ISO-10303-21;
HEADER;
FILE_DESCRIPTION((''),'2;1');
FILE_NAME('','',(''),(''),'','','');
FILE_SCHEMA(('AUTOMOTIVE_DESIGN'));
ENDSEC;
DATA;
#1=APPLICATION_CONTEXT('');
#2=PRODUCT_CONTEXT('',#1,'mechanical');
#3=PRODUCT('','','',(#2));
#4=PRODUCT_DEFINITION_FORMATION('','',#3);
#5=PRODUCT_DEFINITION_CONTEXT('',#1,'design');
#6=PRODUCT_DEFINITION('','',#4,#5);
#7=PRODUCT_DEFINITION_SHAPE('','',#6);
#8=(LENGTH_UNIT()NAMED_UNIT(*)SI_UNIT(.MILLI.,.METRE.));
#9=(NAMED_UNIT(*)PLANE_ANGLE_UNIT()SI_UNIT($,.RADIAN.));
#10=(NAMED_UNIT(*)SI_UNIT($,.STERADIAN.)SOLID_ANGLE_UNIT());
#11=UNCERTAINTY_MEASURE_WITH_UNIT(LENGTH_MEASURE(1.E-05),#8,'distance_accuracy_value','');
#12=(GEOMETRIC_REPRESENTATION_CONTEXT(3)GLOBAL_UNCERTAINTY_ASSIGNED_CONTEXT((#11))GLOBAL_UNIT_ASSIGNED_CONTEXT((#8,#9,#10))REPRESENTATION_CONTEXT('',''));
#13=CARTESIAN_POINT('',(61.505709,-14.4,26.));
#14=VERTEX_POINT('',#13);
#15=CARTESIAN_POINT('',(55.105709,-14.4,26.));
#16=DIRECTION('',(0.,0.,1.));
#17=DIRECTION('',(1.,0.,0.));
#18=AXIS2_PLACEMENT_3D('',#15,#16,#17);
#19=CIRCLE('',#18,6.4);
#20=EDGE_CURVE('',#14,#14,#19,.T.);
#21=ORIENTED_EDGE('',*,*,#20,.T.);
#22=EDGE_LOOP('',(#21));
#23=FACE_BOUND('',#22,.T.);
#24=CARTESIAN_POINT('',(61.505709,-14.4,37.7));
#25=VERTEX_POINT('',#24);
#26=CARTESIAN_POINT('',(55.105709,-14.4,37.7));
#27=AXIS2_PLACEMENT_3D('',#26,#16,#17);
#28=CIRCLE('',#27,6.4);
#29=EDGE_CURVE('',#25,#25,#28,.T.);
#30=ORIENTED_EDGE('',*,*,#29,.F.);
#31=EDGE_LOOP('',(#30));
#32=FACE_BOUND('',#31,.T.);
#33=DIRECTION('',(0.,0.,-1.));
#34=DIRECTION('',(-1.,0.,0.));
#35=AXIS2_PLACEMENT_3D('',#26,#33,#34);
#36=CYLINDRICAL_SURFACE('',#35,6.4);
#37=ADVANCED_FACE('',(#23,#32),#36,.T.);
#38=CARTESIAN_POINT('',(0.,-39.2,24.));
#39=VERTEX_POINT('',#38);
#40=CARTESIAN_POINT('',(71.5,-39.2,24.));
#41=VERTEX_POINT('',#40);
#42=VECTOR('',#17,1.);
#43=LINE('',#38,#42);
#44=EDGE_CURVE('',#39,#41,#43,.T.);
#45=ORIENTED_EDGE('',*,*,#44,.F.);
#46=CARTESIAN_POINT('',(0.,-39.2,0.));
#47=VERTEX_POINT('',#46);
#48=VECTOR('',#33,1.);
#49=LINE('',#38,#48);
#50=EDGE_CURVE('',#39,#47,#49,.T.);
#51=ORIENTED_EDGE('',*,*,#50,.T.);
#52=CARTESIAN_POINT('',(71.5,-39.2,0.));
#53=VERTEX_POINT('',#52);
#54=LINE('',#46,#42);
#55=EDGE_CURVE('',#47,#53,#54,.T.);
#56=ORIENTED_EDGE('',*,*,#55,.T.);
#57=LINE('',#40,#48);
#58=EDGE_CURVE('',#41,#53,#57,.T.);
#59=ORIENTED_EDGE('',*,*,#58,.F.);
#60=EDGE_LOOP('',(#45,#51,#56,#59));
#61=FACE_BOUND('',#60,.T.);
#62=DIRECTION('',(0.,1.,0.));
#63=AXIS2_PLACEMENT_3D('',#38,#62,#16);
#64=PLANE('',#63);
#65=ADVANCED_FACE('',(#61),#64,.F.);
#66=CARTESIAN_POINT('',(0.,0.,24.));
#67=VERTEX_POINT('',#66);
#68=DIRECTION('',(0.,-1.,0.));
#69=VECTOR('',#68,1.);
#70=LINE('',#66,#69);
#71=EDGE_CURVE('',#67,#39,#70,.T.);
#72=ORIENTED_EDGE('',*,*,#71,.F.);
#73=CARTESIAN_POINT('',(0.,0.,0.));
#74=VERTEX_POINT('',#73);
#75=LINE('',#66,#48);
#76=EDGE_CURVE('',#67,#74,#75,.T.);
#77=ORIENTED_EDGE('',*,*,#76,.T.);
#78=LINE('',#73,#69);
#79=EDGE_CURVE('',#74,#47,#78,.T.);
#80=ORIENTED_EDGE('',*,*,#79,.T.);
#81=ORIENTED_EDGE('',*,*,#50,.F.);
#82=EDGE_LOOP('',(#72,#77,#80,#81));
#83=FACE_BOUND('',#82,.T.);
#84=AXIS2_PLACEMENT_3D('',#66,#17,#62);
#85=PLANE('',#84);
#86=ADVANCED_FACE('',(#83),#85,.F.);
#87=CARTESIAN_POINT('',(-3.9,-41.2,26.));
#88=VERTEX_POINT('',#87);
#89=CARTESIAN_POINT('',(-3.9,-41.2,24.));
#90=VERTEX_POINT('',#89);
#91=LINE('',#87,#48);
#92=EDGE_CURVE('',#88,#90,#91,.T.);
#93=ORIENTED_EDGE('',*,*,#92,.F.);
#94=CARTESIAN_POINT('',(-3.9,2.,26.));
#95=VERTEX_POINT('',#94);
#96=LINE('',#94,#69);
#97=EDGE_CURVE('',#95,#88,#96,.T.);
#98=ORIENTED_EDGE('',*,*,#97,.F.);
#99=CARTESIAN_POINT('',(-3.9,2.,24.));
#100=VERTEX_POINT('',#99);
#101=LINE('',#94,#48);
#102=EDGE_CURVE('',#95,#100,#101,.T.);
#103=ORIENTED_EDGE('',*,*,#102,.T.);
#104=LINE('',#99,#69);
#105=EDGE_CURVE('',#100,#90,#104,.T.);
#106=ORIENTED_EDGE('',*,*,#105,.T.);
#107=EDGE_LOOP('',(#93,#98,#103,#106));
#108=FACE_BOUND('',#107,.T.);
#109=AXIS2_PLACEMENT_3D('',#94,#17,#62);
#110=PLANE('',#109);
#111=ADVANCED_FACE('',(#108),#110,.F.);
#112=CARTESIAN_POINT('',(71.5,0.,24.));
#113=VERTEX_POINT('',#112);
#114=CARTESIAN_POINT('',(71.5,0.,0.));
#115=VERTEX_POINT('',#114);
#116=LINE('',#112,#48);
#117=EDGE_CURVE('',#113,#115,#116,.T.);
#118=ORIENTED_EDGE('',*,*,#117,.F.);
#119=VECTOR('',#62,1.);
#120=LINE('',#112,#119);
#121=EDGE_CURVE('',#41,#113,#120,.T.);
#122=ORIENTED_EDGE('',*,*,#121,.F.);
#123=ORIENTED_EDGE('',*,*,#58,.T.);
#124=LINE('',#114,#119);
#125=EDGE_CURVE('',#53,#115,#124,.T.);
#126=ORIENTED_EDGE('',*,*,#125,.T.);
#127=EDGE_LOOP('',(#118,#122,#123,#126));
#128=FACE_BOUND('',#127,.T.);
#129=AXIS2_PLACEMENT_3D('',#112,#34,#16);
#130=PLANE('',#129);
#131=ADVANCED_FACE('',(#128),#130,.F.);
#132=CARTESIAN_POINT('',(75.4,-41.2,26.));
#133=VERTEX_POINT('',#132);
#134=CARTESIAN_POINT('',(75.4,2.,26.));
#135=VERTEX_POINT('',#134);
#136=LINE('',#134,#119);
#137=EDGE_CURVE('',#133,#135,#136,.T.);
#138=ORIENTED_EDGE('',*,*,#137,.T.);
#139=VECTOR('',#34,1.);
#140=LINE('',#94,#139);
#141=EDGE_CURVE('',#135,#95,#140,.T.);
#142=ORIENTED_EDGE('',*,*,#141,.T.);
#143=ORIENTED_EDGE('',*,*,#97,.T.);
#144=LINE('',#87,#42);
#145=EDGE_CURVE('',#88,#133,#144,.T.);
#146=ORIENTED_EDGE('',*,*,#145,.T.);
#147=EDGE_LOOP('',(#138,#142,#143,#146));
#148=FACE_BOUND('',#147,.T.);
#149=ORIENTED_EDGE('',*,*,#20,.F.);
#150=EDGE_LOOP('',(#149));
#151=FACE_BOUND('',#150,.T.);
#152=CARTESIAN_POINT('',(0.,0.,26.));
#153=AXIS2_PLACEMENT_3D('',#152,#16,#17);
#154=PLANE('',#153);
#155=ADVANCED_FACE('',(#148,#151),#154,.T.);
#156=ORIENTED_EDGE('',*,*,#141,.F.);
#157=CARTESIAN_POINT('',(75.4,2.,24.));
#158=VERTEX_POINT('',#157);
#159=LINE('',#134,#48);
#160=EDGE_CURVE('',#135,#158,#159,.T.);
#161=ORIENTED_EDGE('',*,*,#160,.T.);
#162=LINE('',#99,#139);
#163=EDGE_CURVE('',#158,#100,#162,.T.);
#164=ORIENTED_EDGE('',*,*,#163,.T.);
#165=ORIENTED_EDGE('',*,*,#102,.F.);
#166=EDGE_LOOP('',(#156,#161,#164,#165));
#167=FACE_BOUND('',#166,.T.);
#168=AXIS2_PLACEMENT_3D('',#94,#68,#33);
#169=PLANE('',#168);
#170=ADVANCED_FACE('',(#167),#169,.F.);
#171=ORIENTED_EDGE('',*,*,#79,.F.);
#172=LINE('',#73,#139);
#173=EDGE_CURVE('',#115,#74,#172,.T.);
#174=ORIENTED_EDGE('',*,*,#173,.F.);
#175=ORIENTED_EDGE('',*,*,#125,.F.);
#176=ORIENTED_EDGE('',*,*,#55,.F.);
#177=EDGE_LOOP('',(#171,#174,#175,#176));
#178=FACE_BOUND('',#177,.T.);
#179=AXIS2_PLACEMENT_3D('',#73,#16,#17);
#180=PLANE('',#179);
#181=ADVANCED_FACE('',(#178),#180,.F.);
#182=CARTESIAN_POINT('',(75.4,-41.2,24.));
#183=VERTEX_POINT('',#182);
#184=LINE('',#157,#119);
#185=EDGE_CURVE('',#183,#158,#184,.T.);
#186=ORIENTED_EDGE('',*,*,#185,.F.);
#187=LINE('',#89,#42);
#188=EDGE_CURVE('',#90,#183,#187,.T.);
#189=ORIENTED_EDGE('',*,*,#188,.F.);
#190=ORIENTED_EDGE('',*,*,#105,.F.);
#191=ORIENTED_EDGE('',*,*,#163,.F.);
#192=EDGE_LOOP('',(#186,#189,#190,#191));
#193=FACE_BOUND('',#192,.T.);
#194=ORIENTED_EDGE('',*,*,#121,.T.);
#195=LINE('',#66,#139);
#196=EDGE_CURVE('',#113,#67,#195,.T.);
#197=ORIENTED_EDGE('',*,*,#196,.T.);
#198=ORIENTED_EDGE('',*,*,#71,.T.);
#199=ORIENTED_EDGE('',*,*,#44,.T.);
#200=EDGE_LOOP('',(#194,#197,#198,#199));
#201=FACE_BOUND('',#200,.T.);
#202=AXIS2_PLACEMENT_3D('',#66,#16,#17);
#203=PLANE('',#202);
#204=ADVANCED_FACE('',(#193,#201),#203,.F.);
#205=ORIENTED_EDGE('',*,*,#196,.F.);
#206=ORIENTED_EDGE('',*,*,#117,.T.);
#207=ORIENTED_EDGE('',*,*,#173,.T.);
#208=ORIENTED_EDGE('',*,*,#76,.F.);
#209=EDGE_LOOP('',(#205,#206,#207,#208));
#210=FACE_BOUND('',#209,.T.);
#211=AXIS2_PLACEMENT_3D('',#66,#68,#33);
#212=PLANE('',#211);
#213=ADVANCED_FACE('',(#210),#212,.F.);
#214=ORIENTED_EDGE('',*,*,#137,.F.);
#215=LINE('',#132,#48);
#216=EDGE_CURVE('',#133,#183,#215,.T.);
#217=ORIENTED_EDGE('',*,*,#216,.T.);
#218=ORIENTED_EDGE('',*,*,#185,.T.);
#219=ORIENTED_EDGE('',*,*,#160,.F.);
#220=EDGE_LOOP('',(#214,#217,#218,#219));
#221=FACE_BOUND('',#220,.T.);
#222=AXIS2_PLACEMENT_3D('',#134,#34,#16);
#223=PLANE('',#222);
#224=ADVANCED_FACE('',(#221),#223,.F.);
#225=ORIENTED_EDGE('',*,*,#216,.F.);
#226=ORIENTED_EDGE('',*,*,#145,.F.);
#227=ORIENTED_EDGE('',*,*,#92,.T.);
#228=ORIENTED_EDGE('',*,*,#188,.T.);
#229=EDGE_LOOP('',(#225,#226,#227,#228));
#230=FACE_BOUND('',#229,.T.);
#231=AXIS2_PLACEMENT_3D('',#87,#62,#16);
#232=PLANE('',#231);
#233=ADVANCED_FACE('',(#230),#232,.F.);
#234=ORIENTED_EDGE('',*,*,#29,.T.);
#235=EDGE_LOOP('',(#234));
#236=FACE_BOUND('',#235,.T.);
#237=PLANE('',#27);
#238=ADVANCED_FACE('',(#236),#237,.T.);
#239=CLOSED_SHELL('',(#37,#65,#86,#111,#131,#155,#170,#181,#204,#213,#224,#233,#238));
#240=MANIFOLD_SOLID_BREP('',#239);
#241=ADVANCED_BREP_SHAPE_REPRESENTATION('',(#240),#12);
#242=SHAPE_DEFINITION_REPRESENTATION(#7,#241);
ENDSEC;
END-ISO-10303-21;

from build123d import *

# Parameters (mm, degrees)
ESQUISSE1_W        = 71.5
ESQUISSE1_H        = 39.2
BOSS_EXTRU_1_DEPTH = 24
ESQUISSE2_W        = 79.3
ESQUISSE2_H        = 43.2
BOSS_EXTRU_2_DEPTH = 2
ESQUISSE3_R        = 6.4
BOSS_EXTRU_3_DEPTH = 11.7


with BuildPart() as part:
    # Esquisse1 → Boss.-Extru.1 (new body)
    with BuildSketch(Plane.XY):
        with Locations((35.75, -19.6)):
            Rectangle(ESQUISSE1_W, ESQUISSE1_H)
    extrude(amount=BOSS_EXTRU_1_DEPTH)

    # Esquisse2 → Boss.-Extru.2 (add)
    with BuildSketch(Plane.XY.offset(24)):
        with Locations((35.75, -19.6)):
            Rectangle(ESQUISSE2_W, ESQUISSE2_H)
    extrude(amount=BOSS_EXTRU_2_DEPTH)

    # Esquisse3 → Boss.-Extru.3 (add)
    with BuildSketch(Plane.XY.offset(26)):
        with Locations((55.105708791, -14.4)):
            Circle(ESQUISSE3_R)
    extrude(amount=BOSS_EXTRU_3_DEPTH)


solid = part.part
